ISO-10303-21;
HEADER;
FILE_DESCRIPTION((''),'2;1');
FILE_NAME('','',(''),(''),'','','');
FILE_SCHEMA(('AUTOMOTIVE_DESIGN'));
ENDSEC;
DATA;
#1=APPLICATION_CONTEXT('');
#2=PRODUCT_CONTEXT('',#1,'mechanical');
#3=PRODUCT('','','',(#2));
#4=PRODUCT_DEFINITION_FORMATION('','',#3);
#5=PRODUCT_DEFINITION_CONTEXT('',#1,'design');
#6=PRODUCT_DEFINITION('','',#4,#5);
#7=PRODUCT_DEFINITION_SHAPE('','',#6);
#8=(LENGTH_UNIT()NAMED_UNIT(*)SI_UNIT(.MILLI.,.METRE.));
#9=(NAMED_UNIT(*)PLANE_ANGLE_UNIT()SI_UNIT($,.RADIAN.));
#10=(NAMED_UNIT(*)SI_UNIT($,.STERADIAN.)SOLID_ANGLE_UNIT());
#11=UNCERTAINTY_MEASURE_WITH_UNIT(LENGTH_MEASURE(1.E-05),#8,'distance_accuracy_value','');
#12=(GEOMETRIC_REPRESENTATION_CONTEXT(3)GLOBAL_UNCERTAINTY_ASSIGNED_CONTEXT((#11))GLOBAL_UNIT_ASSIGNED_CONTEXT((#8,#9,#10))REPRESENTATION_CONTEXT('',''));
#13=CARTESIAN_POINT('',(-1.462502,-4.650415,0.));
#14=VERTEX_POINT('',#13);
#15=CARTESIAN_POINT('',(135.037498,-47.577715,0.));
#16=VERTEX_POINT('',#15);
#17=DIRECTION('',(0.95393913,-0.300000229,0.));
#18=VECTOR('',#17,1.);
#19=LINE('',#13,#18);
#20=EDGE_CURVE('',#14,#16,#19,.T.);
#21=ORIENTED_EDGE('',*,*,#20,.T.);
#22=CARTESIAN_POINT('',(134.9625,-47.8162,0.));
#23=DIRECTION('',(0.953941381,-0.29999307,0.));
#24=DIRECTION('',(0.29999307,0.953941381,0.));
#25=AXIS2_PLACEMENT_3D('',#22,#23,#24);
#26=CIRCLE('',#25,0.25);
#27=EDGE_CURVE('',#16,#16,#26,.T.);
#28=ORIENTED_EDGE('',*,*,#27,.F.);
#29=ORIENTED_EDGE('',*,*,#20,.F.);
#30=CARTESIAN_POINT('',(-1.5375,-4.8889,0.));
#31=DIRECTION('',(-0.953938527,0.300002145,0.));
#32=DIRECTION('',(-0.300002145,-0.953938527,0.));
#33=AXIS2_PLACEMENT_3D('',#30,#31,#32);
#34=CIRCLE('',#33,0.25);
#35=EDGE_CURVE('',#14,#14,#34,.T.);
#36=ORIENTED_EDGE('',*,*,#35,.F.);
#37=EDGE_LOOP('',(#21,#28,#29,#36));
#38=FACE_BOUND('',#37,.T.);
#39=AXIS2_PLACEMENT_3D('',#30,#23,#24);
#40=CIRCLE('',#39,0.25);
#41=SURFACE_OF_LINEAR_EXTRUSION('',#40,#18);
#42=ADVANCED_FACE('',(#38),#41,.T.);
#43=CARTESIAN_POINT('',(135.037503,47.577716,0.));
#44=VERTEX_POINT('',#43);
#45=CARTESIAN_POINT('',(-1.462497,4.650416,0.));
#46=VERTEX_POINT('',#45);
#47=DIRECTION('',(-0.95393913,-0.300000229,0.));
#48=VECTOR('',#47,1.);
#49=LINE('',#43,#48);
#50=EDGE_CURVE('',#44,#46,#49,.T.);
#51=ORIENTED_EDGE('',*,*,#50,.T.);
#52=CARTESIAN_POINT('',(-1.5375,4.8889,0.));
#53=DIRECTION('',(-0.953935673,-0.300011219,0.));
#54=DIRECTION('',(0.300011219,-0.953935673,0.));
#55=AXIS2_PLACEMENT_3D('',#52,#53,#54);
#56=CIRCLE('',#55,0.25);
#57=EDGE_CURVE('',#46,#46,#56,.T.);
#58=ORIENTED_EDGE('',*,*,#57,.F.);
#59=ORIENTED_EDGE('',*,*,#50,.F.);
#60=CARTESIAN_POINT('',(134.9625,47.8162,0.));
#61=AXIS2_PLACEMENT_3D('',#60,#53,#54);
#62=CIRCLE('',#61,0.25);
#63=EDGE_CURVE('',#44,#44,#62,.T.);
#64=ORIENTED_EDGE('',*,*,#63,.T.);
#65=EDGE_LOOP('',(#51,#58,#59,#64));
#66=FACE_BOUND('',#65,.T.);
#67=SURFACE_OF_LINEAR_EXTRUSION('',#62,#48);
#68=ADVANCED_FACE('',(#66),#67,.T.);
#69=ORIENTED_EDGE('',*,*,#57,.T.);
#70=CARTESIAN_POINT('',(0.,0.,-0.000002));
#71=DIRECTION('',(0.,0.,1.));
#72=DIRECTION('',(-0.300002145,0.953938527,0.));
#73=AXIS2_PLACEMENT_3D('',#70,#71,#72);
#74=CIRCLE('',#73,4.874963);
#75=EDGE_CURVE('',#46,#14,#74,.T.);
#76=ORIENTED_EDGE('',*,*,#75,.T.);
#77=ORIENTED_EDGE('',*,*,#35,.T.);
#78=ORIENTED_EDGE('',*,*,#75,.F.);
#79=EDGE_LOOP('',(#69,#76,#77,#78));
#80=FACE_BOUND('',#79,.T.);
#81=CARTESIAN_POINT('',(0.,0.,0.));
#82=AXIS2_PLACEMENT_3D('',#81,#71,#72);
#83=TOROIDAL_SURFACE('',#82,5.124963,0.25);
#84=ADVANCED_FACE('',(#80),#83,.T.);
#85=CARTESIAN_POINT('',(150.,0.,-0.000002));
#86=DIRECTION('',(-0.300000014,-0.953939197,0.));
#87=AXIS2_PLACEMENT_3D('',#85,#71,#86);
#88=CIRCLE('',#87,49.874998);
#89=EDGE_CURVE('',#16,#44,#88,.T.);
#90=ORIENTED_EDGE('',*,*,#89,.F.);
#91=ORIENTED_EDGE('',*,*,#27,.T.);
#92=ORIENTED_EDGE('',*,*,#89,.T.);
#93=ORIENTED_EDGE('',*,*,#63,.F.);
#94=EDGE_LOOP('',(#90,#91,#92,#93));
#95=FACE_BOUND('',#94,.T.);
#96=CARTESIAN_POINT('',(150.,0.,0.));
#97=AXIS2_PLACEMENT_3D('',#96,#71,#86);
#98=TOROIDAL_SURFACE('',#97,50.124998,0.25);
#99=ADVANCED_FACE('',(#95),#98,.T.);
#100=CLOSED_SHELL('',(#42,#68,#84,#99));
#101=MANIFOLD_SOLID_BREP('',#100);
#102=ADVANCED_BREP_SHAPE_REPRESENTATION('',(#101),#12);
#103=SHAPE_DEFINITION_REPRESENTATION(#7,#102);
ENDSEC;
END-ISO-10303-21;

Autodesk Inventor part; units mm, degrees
ref_plane "YZ Plane" through (0, 0, 0) normal (1, 0, 0) x (0, 1, 0)
ref_plane "XZ Plane" through (0, 0, 0) normal (0, 1, 0) x (-1, 0, 0)
ref_plane "XY Plane" through (0, 0, 0) normal (0, 0, 1) x (1, 0, 0)
sketch "Sketch1" plane through (0, 0, 0) normal (0, 0, 1) x (1, 0, 0)
  arc A0 (-1.5375, 4.8889) -> (-1.5375, -4.8889) centre (0, 0) ccw
  arc A1 (134.9625, -47.8162) -> (134.9625, 47.8162) centre (150, 0) ccw
  line L0 (134.9625, 47.8162) -> (-1.5375, 4.8889)
  line L1 (-1.5375, -4.8889) -> (134.9625, -47.8162)
  dimension "d0" = 150
  dimension "d1" = 10.25
  dimension "d2" = 100.25
ref_plane "Work Plane1" through (134.9625, 47.8162, 0) normal (-0.9539, -0.3, 0) x (0.3, -0.9539, 0)
sketch "Sketch2" plane through (134.9625, 47.8162, 0) normal (-0.9539, -0.3, 0) x (0.3, -0.9539, 0)
  circle A0 centre (0, 0) radius 0.25
  point P0 (5.125, 0)
  dimension "d3" = 0.5
sweep "Sweep1" add profiles "Sketch2" path "Sketch1"
properties part number "string"
